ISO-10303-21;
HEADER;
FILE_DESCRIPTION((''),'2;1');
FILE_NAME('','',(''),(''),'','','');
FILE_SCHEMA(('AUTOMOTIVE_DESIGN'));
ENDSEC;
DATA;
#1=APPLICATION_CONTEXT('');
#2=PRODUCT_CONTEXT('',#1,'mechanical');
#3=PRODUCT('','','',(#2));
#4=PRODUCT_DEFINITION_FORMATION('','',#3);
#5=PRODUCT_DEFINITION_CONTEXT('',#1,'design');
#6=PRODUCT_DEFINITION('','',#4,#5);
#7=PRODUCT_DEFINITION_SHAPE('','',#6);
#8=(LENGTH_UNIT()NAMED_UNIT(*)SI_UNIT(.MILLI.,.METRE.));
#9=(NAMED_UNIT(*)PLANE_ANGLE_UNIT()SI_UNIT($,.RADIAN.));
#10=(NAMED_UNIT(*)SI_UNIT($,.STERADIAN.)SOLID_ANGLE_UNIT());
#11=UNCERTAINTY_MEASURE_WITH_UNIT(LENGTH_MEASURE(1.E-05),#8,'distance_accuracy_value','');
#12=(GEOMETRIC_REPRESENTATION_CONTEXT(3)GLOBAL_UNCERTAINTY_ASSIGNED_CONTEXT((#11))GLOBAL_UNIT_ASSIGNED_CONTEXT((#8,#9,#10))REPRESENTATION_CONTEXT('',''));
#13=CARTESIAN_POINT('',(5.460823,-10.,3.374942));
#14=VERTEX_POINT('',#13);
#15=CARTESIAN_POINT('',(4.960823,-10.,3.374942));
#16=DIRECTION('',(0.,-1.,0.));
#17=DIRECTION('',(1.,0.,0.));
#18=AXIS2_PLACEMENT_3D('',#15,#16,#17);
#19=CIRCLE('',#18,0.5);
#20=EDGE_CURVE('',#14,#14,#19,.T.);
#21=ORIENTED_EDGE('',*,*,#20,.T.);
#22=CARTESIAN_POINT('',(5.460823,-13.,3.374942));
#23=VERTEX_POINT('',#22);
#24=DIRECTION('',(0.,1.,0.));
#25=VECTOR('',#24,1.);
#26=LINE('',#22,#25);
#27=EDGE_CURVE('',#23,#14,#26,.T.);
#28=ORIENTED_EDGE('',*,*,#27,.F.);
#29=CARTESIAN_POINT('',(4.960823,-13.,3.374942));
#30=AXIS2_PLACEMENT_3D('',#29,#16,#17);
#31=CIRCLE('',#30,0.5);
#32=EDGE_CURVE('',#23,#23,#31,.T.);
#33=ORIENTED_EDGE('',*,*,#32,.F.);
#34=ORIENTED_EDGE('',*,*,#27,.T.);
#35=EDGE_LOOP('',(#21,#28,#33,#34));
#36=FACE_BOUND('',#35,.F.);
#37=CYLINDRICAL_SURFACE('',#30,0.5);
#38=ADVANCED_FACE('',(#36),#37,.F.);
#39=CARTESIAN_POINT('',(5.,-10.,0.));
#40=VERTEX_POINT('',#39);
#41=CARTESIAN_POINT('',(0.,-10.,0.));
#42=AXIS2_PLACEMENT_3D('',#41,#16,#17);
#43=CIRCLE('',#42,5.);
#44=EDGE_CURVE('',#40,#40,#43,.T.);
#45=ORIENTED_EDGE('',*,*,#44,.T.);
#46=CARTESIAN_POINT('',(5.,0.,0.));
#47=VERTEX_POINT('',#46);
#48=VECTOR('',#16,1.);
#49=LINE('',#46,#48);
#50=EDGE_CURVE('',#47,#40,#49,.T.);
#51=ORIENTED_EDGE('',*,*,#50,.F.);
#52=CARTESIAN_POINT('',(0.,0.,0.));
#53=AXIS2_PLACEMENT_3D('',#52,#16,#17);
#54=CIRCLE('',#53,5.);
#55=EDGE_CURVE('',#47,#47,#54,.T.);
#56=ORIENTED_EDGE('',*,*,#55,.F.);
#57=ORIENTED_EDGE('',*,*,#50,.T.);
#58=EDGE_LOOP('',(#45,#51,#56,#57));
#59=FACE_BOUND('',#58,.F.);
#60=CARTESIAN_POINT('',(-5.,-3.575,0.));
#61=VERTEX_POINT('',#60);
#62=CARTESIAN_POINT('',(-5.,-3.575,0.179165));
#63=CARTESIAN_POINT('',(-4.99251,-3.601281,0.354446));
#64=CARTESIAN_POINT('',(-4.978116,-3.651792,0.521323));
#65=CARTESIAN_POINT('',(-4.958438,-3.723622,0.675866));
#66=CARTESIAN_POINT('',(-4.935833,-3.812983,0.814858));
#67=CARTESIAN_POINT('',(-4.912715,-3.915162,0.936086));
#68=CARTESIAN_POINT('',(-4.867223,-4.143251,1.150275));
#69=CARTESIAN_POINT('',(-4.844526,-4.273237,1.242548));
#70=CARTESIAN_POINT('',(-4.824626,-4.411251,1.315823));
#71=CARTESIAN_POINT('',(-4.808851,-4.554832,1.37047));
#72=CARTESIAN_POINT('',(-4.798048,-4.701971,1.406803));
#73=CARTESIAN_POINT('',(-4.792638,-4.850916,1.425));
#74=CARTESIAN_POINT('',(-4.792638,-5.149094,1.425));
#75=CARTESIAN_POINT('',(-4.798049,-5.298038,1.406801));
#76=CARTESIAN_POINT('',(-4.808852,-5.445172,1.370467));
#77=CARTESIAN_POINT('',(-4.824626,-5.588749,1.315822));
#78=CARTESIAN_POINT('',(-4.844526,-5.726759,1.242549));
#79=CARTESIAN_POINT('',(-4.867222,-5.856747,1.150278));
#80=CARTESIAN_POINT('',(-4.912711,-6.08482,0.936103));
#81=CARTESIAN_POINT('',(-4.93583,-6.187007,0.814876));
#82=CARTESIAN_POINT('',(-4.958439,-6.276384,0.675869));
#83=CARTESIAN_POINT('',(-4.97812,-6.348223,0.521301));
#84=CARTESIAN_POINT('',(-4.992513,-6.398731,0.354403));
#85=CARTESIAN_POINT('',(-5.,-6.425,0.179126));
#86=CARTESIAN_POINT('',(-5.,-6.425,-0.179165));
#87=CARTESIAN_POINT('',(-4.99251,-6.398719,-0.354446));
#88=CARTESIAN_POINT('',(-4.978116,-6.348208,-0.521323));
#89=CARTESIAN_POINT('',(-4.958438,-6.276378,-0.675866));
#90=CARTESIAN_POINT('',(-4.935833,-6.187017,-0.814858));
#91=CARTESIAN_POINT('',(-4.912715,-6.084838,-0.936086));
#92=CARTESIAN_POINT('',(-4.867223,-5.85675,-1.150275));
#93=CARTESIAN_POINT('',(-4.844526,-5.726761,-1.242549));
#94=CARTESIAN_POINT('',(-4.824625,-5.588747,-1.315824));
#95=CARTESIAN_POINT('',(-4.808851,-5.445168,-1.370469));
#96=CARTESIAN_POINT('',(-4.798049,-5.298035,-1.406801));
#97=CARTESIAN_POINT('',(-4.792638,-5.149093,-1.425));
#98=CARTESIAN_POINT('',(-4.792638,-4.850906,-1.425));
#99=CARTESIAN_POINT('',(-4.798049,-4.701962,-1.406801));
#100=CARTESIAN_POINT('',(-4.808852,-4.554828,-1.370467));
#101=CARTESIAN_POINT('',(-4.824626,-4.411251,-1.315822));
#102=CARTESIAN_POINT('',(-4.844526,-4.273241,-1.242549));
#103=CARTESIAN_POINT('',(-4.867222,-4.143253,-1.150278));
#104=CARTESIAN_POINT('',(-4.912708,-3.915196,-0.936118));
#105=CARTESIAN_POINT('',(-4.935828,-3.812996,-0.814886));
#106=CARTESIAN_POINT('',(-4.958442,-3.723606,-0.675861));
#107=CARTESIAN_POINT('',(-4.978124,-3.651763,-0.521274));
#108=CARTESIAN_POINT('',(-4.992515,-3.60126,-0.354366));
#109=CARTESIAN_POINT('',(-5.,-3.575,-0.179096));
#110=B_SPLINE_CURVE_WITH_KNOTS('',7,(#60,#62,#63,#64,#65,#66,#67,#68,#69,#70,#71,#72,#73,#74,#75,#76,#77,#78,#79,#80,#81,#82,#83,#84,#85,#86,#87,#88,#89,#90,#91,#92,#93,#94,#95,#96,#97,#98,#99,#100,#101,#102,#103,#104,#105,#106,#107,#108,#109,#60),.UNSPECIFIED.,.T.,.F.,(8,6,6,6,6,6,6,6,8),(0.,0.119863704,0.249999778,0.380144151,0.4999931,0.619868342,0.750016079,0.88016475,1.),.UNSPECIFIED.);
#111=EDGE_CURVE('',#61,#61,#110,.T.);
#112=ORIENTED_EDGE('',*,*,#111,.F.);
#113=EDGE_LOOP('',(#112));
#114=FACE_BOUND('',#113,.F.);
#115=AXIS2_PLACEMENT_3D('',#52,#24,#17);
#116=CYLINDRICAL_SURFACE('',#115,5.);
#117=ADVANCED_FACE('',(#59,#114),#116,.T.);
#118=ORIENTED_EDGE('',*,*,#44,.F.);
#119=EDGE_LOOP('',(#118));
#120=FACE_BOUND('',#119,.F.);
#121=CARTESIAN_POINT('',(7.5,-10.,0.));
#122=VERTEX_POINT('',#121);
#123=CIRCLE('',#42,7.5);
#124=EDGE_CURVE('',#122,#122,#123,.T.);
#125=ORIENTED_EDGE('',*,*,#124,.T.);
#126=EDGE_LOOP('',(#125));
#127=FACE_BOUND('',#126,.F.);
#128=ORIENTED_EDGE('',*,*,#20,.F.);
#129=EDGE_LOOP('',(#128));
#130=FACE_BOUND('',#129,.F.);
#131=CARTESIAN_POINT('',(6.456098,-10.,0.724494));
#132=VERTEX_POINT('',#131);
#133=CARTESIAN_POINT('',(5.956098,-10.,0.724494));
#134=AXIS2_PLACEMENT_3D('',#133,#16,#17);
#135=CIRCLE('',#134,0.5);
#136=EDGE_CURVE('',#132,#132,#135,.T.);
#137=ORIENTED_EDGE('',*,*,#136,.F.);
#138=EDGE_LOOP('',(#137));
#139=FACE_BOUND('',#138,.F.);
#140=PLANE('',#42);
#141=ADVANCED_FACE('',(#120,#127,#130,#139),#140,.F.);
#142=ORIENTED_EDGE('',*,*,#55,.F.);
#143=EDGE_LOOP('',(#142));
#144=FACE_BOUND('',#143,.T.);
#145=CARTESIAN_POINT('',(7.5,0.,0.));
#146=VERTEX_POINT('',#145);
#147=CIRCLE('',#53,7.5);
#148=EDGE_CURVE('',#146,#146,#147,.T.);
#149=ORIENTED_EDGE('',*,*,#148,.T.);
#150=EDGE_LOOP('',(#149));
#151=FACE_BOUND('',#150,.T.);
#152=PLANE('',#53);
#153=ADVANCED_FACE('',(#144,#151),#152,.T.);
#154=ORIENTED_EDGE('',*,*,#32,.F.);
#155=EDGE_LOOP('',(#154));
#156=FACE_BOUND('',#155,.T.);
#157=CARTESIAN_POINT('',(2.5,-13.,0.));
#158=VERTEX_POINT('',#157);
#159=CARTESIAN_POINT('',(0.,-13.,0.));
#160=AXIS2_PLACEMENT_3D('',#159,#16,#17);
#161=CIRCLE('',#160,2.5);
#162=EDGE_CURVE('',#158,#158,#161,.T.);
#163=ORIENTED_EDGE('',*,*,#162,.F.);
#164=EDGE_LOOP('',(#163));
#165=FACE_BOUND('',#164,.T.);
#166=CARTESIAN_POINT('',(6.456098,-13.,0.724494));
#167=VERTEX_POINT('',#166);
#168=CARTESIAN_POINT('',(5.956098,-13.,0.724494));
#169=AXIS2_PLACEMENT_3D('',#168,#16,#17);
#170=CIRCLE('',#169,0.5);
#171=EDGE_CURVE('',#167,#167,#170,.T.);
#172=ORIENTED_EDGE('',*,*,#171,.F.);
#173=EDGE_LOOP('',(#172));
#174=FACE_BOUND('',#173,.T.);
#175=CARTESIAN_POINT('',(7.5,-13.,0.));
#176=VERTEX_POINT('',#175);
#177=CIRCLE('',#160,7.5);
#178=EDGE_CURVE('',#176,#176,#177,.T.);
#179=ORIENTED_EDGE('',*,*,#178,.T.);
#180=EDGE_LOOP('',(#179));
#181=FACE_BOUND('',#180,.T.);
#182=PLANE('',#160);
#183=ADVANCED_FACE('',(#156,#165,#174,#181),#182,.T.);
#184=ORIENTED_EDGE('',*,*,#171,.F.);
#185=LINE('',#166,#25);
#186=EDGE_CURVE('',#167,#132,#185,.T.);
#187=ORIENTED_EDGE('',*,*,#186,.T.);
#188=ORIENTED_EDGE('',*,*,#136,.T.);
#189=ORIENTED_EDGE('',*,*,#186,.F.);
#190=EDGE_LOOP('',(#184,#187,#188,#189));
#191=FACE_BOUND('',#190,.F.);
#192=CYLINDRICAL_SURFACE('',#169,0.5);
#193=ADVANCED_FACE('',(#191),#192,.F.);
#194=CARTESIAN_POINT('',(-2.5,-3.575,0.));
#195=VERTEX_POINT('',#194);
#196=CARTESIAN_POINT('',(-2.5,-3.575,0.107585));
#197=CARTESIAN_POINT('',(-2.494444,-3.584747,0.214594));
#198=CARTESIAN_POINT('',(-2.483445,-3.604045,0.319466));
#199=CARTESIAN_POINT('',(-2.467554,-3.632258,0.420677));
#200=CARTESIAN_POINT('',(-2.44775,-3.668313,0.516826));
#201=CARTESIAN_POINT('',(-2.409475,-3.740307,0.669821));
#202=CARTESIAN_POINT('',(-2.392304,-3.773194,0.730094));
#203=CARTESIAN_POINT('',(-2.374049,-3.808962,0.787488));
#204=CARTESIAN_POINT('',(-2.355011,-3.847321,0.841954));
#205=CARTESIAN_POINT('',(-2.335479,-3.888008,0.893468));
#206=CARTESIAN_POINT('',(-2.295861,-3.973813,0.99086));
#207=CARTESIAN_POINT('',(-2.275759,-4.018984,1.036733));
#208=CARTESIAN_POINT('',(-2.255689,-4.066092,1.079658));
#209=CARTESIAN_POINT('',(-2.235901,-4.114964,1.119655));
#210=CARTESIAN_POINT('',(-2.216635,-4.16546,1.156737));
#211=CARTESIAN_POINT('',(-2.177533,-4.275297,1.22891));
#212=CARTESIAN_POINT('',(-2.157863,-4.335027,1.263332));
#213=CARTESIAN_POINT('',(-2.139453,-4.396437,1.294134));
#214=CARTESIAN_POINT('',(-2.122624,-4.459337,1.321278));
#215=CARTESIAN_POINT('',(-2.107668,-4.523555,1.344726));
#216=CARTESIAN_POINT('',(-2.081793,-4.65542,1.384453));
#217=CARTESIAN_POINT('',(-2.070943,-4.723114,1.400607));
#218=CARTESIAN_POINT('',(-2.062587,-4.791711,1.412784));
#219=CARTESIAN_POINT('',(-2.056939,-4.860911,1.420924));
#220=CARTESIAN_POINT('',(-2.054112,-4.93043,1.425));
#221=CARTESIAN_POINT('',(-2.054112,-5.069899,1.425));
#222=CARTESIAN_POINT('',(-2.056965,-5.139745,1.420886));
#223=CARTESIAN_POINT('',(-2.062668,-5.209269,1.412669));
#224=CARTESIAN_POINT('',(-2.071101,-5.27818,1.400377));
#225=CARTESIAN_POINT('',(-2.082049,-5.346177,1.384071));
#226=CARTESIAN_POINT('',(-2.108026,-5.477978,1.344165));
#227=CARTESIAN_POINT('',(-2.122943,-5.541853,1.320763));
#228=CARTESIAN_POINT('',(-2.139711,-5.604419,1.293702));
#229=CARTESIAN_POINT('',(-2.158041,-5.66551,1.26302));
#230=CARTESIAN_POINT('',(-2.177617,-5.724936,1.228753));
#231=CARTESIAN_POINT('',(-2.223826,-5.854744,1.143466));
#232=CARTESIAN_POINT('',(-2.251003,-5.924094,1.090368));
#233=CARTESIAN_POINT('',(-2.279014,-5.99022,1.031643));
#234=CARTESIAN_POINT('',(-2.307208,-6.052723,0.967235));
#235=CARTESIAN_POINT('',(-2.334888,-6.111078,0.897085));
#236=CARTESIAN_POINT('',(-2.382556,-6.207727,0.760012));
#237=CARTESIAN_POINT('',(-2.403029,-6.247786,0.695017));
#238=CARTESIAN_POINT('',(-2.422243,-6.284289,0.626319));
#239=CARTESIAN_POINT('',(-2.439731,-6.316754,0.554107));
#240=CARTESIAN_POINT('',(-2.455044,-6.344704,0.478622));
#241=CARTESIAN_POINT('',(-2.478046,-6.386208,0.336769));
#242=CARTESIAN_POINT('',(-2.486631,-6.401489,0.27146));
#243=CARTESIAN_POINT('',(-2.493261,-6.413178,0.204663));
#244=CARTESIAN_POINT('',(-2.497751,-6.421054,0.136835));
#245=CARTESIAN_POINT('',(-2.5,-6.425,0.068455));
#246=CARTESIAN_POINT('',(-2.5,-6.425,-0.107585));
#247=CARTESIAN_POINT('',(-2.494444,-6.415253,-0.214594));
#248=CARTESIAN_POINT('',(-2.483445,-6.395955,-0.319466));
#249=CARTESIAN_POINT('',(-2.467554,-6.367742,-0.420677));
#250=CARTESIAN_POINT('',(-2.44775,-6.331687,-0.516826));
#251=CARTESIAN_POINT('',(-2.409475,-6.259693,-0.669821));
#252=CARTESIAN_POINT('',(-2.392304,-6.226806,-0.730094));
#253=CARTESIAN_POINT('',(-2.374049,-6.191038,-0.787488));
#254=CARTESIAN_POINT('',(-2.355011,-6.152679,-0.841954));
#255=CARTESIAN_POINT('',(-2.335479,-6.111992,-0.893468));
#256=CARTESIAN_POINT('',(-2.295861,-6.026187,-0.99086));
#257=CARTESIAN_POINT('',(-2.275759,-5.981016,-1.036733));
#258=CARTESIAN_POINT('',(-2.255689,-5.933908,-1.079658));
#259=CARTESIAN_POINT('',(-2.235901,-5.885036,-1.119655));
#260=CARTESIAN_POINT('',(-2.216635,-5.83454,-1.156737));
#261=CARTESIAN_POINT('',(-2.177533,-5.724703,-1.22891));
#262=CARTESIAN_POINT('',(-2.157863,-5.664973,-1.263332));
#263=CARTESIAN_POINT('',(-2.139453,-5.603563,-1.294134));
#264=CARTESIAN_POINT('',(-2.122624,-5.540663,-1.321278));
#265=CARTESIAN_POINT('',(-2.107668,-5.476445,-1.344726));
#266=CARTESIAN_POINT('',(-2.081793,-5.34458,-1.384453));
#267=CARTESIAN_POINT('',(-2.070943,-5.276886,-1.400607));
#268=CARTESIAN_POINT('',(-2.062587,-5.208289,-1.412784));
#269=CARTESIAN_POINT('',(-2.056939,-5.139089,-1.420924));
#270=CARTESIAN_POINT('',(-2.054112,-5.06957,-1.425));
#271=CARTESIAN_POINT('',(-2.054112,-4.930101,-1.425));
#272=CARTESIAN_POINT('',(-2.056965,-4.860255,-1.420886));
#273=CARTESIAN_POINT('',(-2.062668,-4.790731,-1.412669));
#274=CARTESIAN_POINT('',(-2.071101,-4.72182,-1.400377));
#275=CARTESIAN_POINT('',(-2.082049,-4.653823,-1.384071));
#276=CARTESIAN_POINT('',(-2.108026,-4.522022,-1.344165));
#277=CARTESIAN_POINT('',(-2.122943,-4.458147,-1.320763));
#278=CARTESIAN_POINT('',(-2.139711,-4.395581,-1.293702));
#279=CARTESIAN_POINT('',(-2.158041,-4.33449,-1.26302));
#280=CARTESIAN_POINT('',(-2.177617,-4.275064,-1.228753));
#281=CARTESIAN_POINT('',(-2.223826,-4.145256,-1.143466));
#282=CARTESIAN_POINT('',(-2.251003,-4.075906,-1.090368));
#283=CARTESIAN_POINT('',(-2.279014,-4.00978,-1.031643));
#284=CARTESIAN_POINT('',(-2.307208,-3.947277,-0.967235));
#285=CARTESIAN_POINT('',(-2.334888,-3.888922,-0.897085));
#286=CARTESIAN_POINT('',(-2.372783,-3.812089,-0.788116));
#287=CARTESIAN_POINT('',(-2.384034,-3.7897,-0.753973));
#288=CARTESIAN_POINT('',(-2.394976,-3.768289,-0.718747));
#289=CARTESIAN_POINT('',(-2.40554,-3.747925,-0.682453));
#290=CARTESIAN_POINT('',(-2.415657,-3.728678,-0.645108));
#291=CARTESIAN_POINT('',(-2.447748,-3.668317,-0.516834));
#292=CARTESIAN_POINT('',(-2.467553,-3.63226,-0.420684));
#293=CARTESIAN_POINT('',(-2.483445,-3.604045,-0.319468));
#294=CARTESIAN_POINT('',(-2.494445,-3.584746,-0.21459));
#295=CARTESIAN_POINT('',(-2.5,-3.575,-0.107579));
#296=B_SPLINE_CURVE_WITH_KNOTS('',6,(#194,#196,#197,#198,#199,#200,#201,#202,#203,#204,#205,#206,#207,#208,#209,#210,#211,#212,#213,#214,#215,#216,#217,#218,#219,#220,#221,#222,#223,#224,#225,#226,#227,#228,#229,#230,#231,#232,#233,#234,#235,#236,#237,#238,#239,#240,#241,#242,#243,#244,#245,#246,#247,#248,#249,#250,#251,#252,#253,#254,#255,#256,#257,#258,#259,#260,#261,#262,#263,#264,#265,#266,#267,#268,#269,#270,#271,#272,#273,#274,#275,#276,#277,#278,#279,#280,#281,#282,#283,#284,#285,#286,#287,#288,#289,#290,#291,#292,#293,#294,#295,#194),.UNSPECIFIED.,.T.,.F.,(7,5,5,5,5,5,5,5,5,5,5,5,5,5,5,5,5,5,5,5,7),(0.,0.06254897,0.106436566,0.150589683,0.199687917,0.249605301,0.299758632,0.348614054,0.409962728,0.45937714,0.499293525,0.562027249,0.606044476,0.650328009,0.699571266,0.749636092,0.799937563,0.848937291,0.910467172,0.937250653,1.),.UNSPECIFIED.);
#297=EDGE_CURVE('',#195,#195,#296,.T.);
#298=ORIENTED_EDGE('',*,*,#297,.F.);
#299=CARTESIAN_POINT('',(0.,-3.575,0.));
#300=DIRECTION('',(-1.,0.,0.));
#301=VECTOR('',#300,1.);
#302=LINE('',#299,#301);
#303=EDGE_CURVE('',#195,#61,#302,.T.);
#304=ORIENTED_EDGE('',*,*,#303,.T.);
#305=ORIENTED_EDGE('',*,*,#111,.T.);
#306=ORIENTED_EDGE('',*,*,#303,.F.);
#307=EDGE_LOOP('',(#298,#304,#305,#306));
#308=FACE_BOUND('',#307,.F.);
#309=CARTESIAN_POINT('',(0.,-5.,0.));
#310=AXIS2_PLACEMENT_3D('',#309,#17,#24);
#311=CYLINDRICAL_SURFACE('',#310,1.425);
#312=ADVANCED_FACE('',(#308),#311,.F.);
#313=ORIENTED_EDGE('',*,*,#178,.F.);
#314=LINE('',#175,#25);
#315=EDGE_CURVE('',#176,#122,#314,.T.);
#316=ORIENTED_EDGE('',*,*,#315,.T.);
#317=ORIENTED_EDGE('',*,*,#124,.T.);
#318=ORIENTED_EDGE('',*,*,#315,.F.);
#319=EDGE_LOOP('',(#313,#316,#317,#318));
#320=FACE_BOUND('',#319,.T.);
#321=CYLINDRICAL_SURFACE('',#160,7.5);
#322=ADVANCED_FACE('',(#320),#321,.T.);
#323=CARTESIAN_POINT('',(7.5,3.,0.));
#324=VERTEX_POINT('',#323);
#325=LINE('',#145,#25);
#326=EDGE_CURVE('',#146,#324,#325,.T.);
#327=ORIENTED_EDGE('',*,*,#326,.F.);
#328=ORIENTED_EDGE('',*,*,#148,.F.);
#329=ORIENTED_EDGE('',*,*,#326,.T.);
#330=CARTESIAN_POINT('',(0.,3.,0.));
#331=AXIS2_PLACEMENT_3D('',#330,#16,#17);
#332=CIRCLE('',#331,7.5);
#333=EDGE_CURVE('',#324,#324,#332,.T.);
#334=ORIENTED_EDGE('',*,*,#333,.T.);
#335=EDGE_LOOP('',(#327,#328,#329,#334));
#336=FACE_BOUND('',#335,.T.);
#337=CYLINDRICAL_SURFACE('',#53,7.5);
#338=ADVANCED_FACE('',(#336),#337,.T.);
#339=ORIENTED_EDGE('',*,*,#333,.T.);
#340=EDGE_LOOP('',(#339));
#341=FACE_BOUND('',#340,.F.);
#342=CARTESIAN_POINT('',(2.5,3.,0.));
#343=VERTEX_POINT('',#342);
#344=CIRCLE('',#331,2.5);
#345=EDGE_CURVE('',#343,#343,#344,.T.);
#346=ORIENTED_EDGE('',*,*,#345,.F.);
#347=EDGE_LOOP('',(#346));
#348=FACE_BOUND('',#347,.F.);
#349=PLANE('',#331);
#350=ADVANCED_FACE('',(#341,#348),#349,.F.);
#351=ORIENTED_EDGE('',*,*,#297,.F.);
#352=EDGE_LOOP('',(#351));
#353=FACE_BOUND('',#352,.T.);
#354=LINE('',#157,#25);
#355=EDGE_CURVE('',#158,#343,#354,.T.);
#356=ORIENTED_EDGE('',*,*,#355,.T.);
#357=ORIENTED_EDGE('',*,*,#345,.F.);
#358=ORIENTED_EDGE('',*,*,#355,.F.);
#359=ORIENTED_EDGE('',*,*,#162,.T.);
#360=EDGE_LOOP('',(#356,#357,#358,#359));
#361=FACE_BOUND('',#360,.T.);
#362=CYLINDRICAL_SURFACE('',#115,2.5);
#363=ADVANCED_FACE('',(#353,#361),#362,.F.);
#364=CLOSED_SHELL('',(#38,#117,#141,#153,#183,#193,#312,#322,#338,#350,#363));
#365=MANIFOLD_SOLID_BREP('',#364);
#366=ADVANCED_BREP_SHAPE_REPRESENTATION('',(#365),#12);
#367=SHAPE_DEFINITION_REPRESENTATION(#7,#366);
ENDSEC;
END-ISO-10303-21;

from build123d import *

# Parameters (mm, degrees)
F0_R     = 5
F0_R_2   = 2.5
F1_DEPTH = 13
F0_R_3   = 7.5
F2_DEPTH = 3
F4_DEPTH = 3
F3_R     = 7.5
F3_R_2   = 5
F3_R_3   = 0.5
F5_DEPTH = 3
F6_R     = 1.425
F7_DEPTH = 25


with BuildPart() as f1:
    # F0 (on Front) → F1 (new body)
    with BuildSketch(Plane.XZ):
        Circle(F0_R)
        Circle(F0_R_2, mode=Mode.SUBTRACT)
    extrude(amount=F1_DEPTH)

    # F0 (on Front) → F2 (join)
    with BuildSketch(Plane.XZ):
        Circle(F0_R_3)
        Circle(F0_R, mode=Mode.SUBTRACT)
    extrude(amount=-F2_DEPTH)

    # F4 (add): a face of the model
    f4_faces = [f1.faces().sort_by_distance(p)[0] for p in [
        (-4.8585786438, 0, 0),
    ]]
    extrude(f4_faces, amount=F4_DEPTH)

    # F3 (on face) → F5 (join)
    with BuildSketch(Plane.XZ.offset(13)):
        Circle(F3_R)
        Circle(F3_R_2, mode=Mode.SUBTRACT)
        with Locations((5.9560983991, 0.7244942103)):
            Circle(F3_R_3, mode=Mode.SUBTRACT)
        with Locations((4.9608234595, 3.3749415703)):
            Circle(F3_R_3, mode=Mode.SUBTRACT)
    extrude(amount=-F5_DEPTH)

    # F6 (on Right) → F7 (cut)
    with BuildSketch(Plane.YZ):
        with Locations((-5, 0)):
            Circle(F6_R)
    extrude(amount=-F7_DEPTH, mode=Mode.SUBTRACT)


solid = f1.part
